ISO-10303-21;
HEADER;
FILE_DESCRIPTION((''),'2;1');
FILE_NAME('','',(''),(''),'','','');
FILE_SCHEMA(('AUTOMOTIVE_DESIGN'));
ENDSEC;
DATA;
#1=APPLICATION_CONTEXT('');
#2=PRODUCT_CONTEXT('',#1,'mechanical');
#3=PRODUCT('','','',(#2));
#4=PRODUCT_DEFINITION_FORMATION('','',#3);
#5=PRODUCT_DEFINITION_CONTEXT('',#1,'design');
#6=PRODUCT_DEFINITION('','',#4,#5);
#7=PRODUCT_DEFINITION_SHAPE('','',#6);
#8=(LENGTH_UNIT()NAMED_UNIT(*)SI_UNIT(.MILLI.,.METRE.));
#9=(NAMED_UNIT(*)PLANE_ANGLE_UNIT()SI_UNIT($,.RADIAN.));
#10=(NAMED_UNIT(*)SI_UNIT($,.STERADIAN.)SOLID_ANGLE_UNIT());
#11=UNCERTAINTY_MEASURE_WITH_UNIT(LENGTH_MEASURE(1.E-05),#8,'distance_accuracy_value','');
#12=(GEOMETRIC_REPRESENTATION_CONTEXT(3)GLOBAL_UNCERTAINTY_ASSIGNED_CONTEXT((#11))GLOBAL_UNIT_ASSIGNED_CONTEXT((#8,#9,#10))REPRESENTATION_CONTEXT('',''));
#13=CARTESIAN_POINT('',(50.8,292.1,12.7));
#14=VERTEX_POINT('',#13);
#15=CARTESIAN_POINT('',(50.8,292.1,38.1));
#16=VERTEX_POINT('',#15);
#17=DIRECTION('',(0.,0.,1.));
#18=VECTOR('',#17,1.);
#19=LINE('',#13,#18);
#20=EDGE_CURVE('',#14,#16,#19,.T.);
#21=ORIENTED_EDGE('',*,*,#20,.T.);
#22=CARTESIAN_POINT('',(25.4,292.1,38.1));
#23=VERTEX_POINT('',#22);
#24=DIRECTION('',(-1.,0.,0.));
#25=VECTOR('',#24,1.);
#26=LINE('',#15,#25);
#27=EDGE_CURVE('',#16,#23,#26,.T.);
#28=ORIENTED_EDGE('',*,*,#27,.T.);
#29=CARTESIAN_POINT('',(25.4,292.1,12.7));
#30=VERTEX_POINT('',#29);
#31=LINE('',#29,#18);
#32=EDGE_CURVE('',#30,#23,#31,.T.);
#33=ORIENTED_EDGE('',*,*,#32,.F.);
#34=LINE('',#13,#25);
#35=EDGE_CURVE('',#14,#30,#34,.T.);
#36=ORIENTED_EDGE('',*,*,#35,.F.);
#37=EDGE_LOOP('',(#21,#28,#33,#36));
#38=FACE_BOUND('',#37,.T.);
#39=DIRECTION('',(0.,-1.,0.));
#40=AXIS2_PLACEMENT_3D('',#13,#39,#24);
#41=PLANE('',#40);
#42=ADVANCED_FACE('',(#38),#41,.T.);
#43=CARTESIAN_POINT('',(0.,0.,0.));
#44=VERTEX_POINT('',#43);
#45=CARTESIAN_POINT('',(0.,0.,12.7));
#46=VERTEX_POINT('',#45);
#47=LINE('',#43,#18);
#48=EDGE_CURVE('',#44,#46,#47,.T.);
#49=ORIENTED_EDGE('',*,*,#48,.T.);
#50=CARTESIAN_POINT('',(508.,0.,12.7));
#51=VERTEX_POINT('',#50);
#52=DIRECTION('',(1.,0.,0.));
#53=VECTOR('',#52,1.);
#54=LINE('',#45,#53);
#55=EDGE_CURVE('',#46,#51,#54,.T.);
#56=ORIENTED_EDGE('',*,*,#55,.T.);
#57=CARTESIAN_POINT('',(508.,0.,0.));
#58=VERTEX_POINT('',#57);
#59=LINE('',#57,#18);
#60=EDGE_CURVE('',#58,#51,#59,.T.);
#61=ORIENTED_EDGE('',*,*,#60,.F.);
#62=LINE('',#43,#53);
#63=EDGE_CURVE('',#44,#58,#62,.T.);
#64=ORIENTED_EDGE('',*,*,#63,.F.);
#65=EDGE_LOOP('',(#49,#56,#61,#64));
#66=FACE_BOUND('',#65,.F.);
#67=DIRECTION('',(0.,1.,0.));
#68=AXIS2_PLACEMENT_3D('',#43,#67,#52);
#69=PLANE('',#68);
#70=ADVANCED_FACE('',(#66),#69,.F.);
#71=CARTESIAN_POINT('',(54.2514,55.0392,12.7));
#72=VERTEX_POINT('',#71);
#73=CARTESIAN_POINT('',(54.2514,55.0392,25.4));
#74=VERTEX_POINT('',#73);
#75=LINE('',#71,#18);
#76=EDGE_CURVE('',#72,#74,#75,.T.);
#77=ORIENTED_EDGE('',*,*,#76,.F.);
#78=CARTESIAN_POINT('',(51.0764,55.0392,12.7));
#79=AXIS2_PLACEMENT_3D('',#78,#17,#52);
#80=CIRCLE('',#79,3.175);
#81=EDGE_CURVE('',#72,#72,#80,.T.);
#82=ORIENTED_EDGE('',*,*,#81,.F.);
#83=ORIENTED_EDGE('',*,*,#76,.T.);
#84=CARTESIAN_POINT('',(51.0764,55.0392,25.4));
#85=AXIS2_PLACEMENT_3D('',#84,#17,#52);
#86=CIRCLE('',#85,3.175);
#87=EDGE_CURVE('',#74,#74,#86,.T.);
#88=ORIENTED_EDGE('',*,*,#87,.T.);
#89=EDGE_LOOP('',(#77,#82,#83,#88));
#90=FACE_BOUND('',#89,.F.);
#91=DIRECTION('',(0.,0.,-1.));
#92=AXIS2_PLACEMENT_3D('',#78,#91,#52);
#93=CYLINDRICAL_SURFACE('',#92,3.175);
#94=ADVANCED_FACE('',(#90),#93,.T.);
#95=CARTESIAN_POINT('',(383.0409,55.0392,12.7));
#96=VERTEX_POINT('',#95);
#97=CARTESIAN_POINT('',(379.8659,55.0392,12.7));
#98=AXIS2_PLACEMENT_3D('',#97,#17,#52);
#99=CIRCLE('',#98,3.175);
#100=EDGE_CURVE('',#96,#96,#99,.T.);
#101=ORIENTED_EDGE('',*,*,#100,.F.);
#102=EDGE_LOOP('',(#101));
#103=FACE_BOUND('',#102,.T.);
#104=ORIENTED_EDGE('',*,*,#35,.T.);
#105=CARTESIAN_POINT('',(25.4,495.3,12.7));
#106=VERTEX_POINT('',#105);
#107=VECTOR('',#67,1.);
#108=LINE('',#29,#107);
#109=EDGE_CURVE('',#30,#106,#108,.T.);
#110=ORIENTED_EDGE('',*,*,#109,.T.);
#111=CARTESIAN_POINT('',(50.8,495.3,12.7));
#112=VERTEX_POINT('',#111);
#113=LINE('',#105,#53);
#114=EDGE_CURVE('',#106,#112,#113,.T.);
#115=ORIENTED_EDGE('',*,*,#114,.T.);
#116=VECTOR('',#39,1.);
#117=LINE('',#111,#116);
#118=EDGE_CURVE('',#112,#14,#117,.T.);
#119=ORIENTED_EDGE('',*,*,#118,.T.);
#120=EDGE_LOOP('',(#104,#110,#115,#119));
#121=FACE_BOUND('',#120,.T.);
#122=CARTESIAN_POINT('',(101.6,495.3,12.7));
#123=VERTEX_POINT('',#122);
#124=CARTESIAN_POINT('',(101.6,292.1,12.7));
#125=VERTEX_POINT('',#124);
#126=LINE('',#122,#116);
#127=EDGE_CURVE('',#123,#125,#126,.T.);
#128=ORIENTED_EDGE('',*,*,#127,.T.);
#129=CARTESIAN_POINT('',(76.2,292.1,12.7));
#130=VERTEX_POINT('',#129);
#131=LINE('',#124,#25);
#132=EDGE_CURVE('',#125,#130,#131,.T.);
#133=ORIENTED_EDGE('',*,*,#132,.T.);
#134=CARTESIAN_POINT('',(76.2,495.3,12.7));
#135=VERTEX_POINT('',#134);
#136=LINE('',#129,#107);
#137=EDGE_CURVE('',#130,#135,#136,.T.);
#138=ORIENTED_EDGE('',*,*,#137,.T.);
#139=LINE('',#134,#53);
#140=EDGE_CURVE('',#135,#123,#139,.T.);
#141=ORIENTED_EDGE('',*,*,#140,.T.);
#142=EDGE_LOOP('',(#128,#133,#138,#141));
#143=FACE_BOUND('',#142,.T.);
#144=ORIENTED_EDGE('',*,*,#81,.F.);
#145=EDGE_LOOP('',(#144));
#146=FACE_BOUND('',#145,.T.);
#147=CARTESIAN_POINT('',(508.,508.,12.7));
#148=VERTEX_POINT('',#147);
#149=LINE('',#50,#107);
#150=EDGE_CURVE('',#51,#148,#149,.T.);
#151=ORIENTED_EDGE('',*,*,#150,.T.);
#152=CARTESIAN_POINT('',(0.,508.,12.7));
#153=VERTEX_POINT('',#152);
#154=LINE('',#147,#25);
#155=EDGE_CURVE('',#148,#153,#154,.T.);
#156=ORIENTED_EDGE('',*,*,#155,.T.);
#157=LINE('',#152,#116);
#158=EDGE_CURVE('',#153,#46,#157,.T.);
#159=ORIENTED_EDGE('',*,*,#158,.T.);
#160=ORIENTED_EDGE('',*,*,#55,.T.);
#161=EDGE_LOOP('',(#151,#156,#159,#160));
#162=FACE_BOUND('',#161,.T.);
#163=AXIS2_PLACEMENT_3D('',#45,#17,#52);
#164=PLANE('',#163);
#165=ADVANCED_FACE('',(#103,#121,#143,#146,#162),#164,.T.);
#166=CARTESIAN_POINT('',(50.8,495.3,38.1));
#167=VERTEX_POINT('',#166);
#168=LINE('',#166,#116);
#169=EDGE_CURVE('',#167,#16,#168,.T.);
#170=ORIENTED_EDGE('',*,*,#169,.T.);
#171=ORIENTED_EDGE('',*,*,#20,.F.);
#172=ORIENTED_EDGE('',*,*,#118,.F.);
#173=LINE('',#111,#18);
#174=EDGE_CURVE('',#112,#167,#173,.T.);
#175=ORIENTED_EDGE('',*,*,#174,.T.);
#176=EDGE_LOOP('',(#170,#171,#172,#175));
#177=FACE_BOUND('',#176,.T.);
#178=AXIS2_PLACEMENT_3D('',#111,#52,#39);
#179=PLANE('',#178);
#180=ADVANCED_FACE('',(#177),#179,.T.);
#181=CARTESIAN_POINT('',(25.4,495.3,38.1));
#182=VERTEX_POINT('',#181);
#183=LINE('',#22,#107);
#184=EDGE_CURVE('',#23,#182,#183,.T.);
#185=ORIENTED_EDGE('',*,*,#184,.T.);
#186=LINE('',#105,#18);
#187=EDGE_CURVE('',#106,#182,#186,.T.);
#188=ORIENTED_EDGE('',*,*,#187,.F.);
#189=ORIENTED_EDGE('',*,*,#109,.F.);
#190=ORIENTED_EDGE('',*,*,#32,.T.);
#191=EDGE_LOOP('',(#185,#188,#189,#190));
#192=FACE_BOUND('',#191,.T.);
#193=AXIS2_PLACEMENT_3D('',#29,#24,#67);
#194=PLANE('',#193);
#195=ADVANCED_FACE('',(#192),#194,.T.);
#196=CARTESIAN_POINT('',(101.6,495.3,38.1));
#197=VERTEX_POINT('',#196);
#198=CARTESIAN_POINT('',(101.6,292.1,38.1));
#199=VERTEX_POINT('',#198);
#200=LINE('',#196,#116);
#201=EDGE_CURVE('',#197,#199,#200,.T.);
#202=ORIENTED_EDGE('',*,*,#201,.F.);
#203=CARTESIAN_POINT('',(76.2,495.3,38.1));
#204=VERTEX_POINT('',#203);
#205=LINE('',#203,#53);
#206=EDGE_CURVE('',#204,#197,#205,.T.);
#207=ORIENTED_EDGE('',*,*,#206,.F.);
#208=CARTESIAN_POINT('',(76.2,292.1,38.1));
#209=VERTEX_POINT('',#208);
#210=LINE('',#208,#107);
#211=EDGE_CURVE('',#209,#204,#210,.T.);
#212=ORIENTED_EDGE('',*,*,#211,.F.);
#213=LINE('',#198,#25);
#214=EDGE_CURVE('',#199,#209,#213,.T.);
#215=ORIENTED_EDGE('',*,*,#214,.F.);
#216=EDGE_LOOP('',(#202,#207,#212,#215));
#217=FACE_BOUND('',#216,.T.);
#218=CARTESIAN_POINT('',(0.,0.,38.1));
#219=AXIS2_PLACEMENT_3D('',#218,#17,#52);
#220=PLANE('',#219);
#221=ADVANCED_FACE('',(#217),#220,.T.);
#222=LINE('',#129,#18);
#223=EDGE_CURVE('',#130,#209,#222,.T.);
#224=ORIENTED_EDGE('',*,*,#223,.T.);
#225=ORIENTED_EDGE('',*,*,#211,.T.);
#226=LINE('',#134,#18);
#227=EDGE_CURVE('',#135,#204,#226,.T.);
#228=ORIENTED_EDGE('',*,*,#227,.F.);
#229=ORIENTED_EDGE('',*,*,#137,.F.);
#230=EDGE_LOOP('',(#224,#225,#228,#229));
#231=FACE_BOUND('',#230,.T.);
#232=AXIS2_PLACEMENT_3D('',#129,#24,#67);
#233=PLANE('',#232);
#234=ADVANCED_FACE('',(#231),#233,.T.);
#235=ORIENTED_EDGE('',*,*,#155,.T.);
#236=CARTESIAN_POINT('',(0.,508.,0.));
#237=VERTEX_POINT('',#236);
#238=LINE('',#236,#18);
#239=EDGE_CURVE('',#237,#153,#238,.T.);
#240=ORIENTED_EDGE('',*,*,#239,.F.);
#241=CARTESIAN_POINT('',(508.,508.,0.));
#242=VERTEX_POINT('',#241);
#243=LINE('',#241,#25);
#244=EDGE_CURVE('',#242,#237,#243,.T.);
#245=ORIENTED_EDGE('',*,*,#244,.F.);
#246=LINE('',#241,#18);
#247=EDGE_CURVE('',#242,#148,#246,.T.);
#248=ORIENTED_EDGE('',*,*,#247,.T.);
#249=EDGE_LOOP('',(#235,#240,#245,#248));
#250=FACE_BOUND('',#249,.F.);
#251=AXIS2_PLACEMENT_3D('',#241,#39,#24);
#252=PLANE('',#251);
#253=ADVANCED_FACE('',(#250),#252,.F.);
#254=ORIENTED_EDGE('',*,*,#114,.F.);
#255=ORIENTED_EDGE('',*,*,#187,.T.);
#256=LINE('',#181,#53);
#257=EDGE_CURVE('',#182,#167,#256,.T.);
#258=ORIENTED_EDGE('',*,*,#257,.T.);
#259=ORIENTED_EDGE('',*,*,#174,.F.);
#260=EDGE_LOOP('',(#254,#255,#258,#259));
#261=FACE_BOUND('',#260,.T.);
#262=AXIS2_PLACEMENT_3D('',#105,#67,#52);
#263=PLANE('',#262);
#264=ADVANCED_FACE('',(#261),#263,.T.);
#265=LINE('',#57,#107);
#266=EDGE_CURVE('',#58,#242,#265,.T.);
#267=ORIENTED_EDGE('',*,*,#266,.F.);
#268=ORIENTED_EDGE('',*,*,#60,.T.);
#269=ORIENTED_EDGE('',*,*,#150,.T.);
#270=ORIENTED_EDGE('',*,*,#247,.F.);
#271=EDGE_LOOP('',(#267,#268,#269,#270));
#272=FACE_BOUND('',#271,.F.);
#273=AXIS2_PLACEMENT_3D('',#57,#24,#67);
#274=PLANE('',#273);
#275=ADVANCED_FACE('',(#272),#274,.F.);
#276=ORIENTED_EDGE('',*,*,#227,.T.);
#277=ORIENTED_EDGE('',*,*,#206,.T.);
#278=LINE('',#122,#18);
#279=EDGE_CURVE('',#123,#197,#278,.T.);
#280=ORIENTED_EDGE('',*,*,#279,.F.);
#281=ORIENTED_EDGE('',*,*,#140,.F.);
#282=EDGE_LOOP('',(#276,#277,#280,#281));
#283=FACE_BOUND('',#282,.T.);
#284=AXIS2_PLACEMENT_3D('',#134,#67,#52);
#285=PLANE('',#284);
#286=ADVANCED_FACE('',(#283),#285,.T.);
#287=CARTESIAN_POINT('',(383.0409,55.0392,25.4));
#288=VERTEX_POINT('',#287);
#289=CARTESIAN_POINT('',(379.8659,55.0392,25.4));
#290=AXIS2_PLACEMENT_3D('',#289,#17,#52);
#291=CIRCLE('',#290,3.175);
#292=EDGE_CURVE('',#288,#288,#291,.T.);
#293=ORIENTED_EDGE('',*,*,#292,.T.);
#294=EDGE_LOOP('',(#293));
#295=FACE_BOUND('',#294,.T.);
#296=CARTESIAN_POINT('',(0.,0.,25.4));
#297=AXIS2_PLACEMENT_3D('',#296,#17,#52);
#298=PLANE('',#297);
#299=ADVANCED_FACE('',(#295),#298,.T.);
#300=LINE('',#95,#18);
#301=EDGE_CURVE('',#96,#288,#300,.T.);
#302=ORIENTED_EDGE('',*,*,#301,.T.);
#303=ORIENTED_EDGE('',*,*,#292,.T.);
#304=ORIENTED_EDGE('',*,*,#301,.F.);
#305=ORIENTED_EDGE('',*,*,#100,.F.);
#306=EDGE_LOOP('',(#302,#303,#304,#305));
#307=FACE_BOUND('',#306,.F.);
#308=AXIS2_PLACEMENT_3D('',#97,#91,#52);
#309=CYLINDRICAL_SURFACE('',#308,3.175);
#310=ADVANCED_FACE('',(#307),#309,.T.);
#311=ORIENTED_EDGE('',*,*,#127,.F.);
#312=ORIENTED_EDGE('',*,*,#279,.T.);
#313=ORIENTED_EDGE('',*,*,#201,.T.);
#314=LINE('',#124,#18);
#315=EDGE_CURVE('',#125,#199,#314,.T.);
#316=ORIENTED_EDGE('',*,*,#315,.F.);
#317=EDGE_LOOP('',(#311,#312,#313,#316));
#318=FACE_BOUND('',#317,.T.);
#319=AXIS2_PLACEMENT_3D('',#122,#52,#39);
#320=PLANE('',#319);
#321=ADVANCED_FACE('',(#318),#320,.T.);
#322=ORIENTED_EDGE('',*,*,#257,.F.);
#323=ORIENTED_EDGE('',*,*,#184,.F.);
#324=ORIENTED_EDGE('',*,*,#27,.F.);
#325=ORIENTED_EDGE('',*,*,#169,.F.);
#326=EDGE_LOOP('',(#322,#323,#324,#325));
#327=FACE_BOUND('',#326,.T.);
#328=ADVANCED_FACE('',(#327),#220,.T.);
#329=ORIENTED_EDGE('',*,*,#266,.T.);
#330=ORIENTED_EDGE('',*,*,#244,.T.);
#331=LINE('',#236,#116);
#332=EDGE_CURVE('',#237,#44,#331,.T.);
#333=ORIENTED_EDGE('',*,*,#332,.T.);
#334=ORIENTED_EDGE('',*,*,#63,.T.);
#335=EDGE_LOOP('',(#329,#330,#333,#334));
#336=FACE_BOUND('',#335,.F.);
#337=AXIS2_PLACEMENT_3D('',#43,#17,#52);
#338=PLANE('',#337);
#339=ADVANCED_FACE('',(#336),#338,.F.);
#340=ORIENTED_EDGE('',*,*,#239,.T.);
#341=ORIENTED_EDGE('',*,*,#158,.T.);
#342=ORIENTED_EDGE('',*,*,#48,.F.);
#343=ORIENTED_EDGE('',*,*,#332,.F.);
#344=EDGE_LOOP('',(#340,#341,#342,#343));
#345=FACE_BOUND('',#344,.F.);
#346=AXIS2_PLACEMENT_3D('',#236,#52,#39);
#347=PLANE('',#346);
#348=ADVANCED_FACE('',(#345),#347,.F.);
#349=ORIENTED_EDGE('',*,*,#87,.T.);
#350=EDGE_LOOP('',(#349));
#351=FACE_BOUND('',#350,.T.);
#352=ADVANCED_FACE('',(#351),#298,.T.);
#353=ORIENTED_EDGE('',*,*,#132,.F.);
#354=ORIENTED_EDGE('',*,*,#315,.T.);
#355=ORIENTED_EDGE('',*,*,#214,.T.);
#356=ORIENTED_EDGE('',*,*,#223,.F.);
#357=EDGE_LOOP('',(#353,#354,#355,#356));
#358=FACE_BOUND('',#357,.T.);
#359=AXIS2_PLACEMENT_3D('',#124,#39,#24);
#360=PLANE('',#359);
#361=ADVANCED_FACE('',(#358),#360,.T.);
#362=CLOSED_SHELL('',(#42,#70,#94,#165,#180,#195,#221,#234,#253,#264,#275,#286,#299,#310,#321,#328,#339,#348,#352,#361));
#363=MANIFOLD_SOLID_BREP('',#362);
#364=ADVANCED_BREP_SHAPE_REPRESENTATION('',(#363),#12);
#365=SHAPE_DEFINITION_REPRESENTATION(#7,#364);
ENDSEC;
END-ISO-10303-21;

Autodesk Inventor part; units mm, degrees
ref_plane "YZ Plane" through (0, 0, 0) normal (1, 0, 0) x (0, 1, 0)
ref_plane "XZ Plane" through (0, 0, 0) normal (0, 1, 0) x (-1, 0, 0)
ref_plane "XY Plane" through (0, 0, 0) normal (0, 0, 1) x (1, 0, 0)
sketch "Sketch1" plane through (0, 0, 0) normal (0, 0, 1) x (1, 0, 0)
  line L0 (0, 0) -> (508, 0)
  line L1 (508, 0) -> (508, 508)
  line L2 (508, 508) -> (0, 508)
  line L3 (0, 508) -> (0, 0)
  dimension "d0" = 508
  dimension "d1" = 508
extrude "Extrusion1" add sketch "Sketch1" along normal blind 12.7
sketch "Sketch2" plane through (0, 0, 12.7) normal (0, 0, 1) x (1, 0, 0)
  circle A0 centre (51.0764, 55.0392) radius 3.175
  circle A1 centre (379.8659, 55.0392) radius 3.175
  point P0 (0, 0)
  dimension "d4" = 6.35
  dimension "d5" = 6.35
extrude "Extrusion2" add sketch "Sketch2" along normal blind 12.7
sketch "Sketch3" plane through (0, 0, 12.7) normal (0, 0, 1) x (1, 0, 0)
  line L0 (25.4, 495.3) -> (50.8, 495.3)
  line L1 (50.8, 495.3) -> (50.8, 292.1)
  line L2 (50.8, 292.1) -> (25.4, 292.1)
  line L3 (25.4, 292.1) -> (25.4, 495.3)
  line L4 (76.2, 495.3) -> (101.6, 495.3)
  line L5 (101.6, 495.3) -> (101.6, 292.1)
  line L6 (101.6, 292.1) -> (76.2, 292.1)
  line L7 (76.2, 292.1) -> (76.2, 495.3)
  line L8 (508, 508) -> (0, 508) projected
  line L9 (0, 508) -> (0, 0) projected
  dimension "d8" = 25.4
  dimension "d9" = 203.2
  dimension "d10" = 25.4
  dimension "d11" = 203.2
  dimension "d12" = 25.4
  dimension "d15" = 12.7
  dimension "d16" = 12.7
  dimension "d17" = 50.8
extrude "Extrusion3" add sketch "Sketch3" along normal blind 25.4
properties part number "Base"
